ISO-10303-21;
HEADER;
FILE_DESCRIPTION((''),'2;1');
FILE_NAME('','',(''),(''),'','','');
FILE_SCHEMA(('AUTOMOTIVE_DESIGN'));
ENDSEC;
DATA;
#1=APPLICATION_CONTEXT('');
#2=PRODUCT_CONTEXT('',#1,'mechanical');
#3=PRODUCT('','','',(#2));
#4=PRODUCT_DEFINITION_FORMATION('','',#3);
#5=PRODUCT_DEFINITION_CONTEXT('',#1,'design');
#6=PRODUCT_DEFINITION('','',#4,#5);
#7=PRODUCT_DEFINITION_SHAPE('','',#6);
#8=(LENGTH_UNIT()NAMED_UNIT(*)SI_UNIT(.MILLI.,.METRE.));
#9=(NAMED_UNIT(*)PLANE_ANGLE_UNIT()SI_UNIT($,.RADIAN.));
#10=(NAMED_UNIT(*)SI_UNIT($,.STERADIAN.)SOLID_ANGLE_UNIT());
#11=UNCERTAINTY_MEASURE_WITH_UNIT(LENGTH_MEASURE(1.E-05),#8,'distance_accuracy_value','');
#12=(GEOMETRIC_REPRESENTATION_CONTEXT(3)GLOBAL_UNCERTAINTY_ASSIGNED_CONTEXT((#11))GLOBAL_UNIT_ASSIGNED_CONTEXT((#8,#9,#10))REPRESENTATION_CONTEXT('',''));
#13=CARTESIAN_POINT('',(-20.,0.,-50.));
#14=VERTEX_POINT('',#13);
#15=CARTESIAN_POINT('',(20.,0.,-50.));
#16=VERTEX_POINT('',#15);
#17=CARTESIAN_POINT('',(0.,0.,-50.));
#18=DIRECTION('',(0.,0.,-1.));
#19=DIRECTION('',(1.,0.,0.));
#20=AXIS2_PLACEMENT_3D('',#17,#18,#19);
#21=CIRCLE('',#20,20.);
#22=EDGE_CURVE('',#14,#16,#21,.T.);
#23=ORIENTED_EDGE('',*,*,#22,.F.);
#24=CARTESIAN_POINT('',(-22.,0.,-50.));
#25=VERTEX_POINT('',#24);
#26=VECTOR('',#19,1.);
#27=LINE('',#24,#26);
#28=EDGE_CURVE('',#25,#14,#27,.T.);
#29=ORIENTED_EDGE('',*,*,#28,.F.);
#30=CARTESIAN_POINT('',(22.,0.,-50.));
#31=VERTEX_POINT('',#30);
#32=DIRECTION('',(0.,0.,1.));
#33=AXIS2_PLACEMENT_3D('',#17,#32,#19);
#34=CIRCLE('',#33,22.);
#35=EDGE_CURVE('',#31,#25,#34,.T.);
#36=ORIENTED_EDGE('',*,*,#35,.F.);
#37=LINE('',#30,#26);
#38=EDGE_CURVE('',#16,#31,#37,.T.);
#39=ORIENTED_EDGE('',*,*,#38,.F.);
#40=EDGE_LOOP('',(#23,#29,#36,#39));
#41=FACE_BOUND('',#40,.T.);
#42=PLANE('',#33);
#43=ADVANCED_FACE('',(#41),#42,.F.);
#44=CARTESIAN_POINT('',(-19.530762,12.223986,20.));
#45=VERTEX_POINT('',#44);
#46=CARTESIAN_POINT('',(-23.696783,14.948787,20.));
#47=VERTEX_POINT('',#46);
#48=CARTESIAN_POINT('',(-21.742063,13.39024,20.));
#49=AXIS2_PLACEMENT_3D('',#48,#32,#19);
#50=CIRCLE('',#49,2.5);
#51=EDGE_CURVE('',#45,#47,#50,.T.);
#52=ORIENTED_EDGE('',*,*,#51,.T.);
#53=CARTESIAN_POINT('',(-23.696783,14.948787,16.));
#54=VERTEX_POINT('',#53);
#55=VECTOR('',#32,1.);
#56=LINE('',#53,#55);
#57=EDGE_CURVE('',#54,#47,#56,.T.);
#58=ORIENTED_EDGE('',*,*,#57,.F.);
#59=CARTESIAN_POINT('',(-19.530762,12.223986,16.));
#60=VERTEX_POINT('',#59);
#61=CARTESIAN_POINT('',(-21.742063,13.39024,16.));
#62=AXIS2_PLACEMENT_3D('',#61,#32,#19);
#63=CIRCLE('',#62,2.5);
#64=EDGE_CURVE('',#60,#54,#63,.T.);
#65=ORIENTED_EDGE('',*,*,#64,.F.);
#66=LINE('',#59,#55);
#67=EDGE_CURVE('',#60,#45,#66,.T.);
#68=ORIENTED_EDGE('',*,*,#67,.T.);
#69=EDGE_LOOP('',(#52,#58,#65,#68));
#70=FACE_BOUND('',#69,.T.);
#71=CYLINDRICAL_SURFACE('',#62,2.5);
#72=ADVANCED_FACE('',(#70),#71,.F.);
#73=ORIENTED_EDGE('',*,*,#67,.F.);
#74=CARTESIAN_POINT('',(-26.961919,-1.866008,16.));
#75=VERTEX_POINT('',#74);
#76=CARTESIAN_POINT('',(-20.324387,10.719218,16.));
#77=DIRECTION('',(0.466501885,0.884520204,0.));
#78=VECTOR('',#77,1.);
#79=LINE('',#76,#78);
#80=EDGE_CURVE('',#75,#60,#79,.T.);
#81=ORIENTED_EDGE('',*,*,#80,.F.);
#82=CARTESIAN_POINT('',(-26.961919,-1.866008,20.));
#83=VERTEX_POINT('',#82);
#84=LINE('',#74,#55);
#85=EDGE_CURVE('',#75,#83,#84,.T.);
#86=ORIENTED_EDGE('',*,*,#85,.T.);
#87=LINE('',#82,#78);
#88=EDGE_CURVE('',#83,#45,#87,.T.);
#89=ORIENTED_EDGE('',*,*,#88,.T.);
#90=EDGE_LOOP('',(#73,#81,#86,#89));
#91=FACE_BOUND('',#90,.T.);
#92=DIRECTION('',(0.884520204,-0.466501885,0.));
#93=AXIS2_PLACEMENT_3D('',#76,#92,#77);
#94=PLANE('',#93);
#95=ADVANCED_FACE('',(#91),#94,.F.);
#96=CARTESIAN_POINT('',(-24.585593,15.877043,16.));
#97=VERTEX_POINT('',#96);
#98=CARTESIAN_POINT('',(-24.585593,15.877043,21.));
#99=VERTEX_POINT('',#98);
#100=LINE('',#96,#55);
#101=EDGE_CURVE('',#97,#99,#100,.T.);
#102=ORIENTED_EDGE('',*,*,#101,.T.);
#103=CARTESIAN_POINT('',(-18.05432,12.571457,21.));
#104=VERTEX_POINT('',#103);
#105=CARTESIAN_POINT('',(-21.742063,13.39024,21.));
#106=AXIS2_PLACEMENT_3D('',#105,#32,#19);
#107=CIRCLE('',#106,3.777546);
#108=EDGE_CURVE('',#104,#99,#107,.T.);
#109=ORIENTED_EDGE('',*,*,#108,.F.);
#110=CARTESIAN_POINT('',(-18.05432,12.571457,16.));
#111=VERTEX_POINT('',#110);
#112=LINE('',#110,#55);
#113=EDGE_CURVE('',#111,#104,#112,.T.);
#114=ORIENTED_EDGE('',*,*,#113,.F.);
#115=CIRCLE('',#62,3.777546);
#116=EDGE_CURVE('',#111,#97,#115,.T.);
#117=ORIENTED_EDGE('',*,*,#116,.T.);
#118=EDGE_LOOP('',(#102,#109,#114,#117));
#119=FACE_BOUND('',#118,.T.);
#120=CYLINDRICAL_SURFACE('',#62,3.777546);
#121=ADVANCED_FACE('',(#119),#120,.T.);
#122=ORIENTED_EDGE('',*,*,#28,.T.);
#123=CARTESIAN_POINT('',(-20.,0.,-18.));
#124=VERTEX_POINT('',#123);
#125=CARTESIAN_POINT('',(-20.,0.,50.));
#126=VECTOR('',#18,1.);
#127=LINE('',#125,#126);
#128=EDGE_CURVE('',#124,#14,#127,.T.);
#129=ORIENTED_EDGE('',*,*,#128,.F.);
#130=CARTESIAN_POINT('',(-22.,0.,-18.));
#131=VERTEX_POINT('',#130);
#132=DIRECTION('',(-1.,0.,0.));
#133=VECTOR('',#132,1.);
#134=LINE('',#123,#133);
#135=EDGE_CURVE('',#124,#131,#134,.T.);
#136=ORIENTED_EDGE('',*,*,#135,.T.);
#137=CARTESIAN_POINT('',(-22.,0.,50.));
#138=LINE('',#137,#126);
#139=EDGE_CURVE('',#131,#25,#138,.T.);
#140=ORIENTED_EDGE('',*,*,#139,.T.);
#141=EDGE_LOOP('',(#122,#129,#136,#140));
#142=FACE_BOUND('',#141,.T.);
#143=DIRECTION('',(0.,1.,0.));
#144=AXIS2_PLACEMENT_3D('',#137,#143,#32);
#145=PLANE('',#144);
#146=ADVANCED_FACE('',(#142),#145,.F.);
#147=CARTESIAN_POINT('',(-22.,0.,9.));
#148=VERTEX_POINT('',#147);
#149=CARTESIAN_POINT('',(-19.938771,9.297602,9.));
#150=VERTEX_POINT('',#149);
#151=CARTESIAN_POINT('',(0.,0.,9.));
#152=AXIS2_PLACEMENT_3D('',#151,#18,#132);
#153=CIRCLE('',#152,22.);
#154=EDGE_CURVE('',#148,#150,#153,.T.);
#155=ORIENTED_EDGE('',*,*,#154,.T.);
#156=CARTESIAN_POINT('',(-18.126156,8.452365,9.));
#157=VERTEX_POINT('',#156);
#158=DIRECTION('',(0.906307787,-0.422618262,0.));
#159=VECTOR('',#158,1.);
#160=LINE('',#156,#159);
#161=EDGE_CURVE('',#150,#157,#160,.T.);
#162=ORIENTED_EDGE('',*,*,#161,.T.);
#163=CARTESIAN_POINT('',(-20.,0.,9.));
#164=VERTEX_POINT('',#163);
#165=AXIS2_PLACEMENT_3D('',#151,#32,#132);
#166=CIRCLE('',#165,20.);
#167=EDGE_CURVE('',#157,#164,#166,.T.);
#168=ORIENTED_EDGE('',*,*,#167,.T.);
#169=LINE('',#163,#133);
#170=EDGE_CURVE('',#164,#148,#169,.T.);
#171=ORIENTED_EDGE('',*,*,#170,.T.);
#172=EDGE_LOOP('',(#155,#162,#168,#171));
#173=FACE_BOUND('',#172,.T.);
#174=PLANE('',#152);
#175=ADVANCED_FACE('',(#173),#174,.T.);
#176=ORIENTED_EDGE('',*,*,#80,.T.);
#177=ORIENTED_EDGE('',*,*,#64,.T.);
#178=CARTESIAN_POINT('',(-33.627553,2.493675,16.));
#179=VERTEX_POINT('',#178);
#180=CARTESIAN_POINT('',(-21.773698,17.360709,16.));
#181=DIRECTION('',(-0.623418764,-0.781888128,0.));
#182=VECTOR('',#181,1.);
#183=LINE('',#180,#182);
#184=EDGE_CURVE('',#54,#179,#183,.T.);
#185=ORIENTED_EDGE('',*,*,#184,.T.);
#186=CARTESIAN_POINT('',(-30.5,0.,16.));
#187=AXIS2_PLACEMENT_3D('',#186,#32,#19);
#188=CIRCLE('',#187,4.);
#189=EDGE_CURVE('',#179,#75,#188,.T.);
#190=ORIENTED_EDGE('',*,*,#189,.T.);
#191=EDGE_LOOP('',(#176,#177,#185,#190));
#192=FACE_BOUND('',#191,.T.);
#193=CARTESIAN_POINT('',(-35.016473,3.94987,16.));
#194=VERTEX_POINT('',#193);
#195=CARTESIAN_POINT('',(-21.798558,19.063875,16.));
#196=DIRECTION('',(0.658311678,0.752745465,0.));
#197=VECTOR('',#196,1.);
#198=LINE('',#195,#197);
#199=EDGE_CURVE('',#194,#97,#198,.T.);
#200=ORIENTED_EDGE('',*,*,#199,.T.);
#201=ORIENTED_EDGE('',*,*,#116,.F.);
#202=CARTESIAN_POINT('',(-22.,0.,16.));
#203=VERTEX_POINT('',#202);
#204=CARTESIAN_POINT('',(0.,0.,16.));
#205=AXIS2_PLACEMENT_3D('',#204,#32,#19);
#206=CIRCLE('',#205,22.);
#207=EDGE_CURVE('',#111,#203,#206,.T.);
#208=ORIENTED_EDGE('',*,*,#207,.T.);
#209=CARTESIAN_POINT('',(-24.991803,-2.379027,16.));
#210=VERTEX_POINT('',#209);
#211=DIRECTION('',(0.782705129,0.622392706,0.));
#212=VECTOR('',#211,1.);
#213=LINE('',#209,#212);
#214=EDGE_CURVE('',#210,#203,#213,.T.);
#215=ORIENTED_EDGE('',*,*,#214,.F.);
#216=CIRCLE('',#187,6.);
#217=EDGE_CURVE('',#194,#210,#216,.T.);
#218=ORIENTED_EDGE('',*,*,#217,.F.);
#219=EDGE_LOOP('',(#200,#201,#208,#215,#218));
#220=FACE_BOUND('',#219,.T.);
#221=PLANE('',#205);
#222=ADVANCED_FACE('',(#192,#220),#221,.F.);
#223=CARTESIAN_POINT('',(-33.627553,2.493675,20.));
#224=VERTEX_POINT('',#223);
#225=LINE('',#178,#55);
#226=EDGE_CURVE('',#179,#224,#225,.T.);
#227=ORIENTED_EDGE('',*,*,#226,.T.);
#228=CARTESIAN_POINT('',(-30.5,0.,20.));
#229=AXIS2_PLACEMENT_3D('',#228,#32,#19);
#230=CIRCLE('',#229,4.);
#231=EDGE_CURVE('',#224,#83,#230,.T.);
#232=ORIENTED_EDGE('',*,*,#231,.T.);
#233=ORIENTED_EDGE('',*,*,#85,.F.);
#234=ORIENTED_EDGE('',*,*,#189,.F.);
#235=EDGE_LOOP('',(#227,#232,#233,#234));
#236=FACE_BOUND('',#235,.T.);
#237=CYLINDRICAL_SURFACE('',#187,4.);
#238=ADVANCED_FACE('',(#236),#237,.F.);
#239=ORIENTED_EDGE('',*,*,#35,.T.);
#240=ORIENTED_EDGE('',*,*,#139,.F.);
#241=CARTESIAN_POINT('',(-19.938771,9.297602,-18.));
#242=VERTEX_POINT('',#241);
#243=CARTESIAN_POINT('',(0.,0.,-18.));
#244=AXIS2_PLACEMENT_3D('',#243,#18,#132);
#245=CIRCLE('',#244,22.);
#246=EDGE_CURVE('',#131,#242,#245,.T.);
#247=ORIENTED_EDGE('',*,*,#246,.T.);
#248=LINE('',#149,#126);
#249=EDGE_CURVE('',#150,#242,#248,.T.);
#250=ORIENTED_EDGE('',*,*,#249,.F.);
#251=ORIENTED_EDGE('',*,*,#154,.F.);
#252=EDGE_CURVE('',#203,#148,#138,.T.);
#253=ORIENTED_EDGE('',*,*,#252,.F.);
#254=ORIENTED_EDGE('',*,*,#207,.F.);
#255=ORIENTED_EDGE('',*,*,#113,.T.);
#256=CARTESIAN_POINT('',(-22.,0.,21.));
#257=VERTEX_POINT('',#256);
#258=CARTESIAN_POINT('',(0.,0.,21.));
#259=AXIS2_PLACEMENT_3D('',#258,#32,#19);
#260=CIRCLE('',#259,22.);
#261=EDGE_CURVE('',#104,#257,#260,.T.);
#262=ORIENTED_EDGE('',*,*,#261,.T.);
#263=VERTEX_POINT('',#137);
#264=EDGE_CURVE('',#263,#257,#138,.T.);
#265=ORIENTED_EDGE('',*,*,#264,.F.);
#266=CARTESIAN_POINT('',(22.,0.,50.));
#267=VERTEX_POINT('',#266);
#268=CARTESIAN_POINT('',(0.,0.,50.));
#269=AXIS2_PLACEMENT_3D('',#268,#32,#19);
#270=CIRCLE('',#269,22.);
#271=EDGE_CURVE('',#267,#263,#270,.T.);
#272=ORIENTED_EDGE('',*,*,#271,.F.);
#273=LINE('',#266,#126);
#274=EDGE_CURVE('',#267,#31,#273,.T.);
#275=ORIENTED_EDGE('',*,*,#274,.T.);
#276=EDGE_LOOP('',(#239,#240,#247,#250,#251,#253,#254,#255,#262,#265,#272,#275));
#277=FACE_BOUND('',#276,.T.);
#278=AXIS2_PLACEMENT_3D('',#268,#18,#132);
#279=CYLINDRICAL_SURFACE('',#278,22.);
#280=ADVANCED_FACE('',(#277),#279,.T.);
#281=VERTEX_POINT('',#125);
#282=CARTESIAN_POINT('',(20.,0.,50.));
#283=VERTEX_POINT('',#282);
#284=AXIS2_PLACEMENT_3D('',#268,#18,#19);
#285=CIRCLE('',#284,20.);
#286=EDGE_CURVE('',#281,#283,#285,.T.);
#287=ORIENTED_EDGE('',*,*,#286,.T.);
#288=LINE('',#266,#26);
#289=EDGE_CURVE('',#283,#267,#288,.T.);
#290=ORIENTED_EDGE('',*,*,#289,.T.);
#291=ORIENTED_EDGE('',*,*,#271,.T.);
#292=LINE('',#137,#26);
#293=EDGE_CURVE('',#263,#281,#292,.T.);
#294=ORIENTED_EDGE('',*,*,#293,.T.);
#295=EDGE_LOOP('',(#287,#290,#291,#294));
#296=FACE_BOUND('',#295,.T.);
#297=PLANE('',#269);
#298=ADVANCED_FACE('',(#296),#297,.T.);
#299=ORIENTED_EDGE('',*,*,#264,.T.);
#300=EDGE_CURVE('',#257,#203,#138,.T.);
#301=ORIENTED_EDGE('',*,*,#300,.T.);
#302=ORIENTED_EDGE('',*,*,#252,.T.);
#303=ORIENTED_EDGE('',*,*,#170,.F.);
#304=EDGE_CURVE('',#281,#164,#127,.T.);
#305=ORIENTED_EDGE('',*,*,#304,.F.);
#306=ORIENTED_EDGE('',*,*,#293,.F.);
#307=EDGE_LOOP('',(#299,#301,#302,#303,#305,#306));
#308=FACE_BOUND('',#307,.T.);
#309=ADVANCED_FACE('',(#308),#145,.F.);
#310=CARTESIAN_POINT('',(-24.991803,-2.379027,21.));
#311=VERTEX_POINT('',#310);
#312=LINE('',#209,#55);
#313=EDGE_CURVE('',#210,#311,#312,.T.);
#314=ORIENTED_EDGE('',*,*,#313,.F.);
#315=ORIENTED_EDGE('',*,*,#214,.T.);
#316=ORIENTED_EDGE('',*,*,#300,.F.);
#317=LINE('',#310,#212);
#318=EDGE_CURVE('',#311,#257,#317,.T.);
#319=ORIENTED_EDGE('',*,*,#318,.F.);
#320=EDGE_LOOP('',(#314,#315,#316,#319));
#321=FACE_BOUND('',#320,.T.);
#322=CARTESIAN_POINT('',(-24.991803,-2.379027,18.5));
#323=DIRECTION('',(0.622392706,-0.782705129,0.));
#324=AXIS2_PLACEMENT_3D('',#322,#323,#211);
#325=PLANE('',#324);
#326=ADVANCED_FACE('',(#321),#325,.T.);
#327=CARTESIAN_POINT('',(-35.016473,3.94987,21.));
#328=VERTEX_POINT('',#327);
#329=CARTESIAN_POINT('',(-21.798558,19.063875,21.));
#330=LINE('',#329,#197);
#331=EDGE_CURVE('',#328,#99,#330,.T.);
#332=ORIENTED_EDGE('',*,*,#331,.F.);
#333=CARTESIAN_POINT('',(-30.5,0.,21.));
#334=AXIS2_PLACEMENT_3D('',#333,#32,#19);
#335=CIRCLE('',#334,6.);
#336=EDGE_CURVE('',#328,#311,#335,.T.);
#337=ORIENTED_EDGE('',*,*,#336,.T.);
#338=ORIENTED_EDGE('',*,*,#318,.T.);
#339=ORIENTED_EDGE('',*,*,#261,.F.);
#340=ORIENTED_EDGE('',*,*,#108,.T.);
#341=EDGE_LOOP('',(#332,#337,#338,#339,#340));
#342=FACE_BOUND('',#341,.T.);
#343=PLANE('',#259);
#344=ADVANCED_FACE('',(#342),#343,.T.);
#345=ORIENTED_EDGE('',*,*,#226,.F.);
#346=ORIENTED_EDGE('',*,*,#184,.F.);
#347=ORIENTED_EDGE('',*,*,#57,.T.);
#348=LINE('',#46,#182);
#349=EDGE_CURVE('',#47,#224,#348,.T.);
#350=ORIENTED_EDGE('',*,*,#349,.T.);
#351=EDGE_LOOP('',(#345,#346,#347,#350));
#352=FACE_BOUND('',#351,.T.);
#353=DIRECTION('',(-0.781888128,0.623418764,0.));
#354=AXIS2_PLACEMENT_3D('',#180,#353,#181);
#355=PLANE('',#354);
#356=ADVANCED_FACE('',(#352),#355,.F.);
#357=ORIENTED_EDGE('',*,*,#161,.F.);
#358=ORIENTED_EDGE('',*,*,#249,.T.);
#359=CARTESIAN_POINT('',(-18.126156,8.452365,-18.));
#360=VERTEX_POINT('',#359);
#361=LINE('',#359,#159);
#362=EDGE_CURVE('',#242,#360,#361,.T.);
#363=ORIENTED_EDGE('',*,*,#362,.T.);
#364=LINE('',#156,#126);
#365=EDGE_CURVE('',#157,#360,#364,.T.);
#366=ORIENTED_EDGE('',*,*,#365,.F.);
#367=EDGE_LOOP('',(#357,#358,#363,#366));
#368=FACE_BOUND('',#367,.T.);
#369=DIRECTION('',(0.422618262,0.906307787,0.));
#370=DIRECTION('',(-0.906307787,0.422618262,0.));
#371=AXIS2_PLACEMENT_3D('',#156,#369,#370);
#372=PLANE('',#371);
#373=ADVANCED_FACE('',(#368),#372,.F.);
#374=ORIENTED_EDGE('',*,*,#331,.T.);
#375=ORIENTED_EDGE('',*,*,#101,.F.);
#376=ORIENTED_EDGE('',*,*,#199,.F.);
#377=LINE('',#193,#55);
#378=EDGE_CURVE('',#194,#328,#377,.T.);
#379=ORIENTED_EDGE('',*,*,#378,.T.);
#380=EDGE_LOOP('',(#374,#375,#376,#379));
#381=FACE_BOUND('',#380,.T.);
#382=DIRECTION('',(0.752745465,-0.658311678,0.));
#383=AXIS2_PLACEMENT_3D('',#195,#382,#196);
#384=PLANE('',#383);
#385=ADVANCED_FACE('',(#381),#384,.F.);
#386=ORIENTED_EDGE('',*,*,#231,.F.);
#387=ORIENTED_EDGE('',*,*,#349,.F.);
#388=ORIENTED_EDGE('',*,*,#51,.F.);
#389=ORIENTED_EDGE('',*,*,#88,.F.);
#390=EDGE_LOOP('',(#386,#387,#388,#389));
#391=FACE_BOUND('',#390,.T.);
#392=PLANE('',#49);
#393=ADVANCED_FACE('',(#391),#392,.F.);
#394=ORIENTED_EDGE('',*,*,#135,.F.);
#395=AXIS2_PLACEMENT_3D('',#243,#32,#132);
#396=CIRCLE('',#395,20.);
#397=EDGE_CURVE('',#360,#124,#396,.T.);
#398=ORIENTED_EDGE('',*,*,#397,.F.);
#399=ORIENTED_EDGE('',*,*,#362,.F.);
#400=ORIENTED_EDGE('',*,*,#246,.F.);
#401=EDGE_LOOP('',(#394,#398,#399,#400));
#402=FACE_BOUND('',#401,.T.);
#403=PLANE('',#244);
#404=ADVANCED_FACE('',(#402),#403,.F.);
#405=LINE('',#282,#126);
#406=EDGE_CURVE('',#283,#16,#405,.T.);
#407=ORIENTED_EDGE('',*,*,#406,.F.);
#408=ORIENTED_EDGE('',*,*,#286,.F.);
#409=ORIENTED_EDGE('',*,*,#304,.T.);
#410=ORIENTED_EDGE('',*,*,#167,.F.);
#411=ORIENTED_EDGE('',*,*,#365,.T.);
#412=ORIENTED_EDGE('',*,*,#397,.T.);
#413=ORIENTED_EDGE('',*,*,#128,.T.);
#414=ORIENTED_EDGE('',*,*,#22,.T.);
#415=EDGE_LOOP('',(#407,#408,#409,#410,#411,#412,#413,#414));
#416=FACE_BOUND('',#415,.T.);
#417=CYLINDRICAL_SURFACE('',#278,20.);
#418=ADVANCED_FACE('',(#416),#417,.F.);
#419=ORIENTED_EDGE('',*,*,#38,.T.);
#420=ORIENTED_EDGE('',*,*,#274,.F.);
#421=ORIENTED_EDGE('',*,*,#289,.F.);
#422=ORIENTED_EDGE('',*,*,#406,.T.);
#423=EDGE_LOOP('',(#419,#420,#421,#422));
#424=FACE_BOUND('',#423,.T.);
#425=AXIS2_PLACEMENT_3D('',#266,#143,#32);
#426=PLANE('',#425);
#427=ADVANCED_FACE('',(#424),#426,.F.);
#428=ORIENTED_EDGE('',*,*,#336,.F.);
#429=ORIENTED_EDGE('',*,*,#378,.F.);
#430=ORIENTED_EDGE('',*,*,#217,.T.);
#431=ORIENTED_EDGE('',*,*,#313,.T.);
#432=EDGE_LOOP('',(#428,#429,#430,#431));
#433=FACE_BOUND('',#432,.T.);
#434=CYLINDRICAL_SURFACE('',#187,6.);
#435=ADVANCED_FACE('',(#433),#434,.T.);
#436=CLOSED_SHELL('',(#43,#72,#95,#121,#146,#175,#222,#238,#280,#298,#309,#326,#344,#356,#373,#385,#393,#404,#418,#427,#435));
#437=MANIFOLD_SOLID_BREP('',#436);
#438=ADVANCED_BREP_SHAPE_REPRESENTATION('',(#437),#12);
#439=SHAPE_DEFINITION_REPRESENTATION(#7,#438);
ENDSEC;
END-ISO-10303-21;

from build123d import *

# Parameters (mm, degrees)
EXTRUDE_1_DEPTH     = 50
EXTRUDE_3_DEPTH     = 5
EXTRUDE_4_DEPTH     = 1
CUT_EXTRUDE_START   = -27
CUT_EXTRUDE_2_DEPTH = 27
RIB_1_REACH         = 82.675
SKETCH_8_WALL_W     = 167.172938794
SKETCH_8_WALL_H     = 5


with BuildPart() as part:
    # 草图1 → 凸台-拉伸1 (new, symmetric)
    with BuildSketch(Plane.XY):
        with BuildLine():
            Line((-22, 0), (-20, 0))
            ThreePointArc((-20, 0), (0, 20), (20, 0))
            Line((20, 0), (22, 0))
            ThreePointArc((22, 0), (0, 22), (-22, 0))
        make_face()
    extrude(amount=EXTRUDE_1_DEPTH, both=True)

    # 草图2 → 凸台-拉伸3 (add)
    with BuildSketch(Plane.XY.offset(21)):
        with BuildLine():
            Line((-24.585593375, 15.877042923), (-35.01647279, 3.949870066))
            ThreePointArc((-35.01647279, 3.949870066), (-33.703063099, -5.073498476), (-24.991803279, -2.379026877))
            Line((-24.991803279, -2.379026877), (-20.196721311, 8.723098547))
            ThreePointArc((-20.196721311, 8.723098547), (-19.222070856, 10.701027615), (-18.054320126, 12.571456749))
            ThreePointArc((-18.054320126, 12.571456749), (-20.036220369, 16.760693495), (-24.585593375, 15.877042923))
        make_face()
        with BuildLine():
            Line((-33.627552512, 2.493675056), (-23.696783161, 14.948787263))
            ThreePointArc((-23.696783161, 14.948787263), (-20.37363516, 15.482465408), (-19.530762331, 12.223985641))
            Line((-19.530762331, 12.223985641), (-26.961919184, -1.866007539))
            ThreePointArc((-26.961919184, -1.866007539), (-32.68948429, -3.347560088), (-33.627552512, 2.493675056))
        make_face(mode=Mode.SUBTRACT)
    extrude(amount=-EXTRUDE_3_DEPTH)

    # 草图3 → 凸台-拉伸4 (add)
    with BuildSketch(Plane.XY.offset(21)):
        with BuildLine():
            Line((-23.696783161, 14.948787263), (-33.627552512, 2.493675056))
            ThreePointArc((-33.627552512, 2.493675056), (-32.68948429, -3.347560088), (-26.961919184, -1.866007539))
            Line((-26.961919184, -1.866007539), (-19.530762331, 12.223985641))
            ThreePointArc((-19.530762331, 12.223985641), (-20.37363516, 15.482465408), (-23.696783161, 14.948787263))
        make_face()
    extrude(amount=-EXTRUDE_4_DEPTH)

    # 草图6 → 切除-拉伸2 (cut)
    with BuildSketch(Plane(origin=(0, 0, -18), x_dir=(-1, 0, 0), z_dir=(0, 0, -1)).offset(CUT_EXTRUDE_START)):
        with BuildLine():
            Line((20, 0), (22, 0))
            ThreePointArc((22, 0), (21.478512157, 4.761671507), (19.938771315, 9.297601758))
            Line((19.938771315, 9.297601758), (18.126155741, 8.452365235))
            ThreePointArc((18.126155741, 8.452365235), (19.525920142, 4.328792279), (20, 0))
        make_face()
    extrude(amount=CUT_EXTRUDE_2_DEPTH, mode=Mode.SUBTRACT)

    # 草图8 wall → 筋1 (add, up to next)
    with BuildSketch(Plane(origin=(-23.495901639, -1.189513438, 18.5), x_dir=(0.782705129214, 0.622392706177, 0), z_dir=(-0.622392706177, 0.782705129214, 0)), mode=Mode.PRIVATE) as rib_1_sk1:
        Rectangle(SKETCH_8_WALL_W, SKETCH_8_WALL_H)
    rib_1_tool1 = extrude(rib_1_sk1.sketch, amount=RIB_1_REACH, mode=Mode.PRIVATE) - part.part
    add(rib_1_tool1.solids().sort_by_distance((-23.495901639, -1.189513438, 18.5))[0])


solid = part.part
